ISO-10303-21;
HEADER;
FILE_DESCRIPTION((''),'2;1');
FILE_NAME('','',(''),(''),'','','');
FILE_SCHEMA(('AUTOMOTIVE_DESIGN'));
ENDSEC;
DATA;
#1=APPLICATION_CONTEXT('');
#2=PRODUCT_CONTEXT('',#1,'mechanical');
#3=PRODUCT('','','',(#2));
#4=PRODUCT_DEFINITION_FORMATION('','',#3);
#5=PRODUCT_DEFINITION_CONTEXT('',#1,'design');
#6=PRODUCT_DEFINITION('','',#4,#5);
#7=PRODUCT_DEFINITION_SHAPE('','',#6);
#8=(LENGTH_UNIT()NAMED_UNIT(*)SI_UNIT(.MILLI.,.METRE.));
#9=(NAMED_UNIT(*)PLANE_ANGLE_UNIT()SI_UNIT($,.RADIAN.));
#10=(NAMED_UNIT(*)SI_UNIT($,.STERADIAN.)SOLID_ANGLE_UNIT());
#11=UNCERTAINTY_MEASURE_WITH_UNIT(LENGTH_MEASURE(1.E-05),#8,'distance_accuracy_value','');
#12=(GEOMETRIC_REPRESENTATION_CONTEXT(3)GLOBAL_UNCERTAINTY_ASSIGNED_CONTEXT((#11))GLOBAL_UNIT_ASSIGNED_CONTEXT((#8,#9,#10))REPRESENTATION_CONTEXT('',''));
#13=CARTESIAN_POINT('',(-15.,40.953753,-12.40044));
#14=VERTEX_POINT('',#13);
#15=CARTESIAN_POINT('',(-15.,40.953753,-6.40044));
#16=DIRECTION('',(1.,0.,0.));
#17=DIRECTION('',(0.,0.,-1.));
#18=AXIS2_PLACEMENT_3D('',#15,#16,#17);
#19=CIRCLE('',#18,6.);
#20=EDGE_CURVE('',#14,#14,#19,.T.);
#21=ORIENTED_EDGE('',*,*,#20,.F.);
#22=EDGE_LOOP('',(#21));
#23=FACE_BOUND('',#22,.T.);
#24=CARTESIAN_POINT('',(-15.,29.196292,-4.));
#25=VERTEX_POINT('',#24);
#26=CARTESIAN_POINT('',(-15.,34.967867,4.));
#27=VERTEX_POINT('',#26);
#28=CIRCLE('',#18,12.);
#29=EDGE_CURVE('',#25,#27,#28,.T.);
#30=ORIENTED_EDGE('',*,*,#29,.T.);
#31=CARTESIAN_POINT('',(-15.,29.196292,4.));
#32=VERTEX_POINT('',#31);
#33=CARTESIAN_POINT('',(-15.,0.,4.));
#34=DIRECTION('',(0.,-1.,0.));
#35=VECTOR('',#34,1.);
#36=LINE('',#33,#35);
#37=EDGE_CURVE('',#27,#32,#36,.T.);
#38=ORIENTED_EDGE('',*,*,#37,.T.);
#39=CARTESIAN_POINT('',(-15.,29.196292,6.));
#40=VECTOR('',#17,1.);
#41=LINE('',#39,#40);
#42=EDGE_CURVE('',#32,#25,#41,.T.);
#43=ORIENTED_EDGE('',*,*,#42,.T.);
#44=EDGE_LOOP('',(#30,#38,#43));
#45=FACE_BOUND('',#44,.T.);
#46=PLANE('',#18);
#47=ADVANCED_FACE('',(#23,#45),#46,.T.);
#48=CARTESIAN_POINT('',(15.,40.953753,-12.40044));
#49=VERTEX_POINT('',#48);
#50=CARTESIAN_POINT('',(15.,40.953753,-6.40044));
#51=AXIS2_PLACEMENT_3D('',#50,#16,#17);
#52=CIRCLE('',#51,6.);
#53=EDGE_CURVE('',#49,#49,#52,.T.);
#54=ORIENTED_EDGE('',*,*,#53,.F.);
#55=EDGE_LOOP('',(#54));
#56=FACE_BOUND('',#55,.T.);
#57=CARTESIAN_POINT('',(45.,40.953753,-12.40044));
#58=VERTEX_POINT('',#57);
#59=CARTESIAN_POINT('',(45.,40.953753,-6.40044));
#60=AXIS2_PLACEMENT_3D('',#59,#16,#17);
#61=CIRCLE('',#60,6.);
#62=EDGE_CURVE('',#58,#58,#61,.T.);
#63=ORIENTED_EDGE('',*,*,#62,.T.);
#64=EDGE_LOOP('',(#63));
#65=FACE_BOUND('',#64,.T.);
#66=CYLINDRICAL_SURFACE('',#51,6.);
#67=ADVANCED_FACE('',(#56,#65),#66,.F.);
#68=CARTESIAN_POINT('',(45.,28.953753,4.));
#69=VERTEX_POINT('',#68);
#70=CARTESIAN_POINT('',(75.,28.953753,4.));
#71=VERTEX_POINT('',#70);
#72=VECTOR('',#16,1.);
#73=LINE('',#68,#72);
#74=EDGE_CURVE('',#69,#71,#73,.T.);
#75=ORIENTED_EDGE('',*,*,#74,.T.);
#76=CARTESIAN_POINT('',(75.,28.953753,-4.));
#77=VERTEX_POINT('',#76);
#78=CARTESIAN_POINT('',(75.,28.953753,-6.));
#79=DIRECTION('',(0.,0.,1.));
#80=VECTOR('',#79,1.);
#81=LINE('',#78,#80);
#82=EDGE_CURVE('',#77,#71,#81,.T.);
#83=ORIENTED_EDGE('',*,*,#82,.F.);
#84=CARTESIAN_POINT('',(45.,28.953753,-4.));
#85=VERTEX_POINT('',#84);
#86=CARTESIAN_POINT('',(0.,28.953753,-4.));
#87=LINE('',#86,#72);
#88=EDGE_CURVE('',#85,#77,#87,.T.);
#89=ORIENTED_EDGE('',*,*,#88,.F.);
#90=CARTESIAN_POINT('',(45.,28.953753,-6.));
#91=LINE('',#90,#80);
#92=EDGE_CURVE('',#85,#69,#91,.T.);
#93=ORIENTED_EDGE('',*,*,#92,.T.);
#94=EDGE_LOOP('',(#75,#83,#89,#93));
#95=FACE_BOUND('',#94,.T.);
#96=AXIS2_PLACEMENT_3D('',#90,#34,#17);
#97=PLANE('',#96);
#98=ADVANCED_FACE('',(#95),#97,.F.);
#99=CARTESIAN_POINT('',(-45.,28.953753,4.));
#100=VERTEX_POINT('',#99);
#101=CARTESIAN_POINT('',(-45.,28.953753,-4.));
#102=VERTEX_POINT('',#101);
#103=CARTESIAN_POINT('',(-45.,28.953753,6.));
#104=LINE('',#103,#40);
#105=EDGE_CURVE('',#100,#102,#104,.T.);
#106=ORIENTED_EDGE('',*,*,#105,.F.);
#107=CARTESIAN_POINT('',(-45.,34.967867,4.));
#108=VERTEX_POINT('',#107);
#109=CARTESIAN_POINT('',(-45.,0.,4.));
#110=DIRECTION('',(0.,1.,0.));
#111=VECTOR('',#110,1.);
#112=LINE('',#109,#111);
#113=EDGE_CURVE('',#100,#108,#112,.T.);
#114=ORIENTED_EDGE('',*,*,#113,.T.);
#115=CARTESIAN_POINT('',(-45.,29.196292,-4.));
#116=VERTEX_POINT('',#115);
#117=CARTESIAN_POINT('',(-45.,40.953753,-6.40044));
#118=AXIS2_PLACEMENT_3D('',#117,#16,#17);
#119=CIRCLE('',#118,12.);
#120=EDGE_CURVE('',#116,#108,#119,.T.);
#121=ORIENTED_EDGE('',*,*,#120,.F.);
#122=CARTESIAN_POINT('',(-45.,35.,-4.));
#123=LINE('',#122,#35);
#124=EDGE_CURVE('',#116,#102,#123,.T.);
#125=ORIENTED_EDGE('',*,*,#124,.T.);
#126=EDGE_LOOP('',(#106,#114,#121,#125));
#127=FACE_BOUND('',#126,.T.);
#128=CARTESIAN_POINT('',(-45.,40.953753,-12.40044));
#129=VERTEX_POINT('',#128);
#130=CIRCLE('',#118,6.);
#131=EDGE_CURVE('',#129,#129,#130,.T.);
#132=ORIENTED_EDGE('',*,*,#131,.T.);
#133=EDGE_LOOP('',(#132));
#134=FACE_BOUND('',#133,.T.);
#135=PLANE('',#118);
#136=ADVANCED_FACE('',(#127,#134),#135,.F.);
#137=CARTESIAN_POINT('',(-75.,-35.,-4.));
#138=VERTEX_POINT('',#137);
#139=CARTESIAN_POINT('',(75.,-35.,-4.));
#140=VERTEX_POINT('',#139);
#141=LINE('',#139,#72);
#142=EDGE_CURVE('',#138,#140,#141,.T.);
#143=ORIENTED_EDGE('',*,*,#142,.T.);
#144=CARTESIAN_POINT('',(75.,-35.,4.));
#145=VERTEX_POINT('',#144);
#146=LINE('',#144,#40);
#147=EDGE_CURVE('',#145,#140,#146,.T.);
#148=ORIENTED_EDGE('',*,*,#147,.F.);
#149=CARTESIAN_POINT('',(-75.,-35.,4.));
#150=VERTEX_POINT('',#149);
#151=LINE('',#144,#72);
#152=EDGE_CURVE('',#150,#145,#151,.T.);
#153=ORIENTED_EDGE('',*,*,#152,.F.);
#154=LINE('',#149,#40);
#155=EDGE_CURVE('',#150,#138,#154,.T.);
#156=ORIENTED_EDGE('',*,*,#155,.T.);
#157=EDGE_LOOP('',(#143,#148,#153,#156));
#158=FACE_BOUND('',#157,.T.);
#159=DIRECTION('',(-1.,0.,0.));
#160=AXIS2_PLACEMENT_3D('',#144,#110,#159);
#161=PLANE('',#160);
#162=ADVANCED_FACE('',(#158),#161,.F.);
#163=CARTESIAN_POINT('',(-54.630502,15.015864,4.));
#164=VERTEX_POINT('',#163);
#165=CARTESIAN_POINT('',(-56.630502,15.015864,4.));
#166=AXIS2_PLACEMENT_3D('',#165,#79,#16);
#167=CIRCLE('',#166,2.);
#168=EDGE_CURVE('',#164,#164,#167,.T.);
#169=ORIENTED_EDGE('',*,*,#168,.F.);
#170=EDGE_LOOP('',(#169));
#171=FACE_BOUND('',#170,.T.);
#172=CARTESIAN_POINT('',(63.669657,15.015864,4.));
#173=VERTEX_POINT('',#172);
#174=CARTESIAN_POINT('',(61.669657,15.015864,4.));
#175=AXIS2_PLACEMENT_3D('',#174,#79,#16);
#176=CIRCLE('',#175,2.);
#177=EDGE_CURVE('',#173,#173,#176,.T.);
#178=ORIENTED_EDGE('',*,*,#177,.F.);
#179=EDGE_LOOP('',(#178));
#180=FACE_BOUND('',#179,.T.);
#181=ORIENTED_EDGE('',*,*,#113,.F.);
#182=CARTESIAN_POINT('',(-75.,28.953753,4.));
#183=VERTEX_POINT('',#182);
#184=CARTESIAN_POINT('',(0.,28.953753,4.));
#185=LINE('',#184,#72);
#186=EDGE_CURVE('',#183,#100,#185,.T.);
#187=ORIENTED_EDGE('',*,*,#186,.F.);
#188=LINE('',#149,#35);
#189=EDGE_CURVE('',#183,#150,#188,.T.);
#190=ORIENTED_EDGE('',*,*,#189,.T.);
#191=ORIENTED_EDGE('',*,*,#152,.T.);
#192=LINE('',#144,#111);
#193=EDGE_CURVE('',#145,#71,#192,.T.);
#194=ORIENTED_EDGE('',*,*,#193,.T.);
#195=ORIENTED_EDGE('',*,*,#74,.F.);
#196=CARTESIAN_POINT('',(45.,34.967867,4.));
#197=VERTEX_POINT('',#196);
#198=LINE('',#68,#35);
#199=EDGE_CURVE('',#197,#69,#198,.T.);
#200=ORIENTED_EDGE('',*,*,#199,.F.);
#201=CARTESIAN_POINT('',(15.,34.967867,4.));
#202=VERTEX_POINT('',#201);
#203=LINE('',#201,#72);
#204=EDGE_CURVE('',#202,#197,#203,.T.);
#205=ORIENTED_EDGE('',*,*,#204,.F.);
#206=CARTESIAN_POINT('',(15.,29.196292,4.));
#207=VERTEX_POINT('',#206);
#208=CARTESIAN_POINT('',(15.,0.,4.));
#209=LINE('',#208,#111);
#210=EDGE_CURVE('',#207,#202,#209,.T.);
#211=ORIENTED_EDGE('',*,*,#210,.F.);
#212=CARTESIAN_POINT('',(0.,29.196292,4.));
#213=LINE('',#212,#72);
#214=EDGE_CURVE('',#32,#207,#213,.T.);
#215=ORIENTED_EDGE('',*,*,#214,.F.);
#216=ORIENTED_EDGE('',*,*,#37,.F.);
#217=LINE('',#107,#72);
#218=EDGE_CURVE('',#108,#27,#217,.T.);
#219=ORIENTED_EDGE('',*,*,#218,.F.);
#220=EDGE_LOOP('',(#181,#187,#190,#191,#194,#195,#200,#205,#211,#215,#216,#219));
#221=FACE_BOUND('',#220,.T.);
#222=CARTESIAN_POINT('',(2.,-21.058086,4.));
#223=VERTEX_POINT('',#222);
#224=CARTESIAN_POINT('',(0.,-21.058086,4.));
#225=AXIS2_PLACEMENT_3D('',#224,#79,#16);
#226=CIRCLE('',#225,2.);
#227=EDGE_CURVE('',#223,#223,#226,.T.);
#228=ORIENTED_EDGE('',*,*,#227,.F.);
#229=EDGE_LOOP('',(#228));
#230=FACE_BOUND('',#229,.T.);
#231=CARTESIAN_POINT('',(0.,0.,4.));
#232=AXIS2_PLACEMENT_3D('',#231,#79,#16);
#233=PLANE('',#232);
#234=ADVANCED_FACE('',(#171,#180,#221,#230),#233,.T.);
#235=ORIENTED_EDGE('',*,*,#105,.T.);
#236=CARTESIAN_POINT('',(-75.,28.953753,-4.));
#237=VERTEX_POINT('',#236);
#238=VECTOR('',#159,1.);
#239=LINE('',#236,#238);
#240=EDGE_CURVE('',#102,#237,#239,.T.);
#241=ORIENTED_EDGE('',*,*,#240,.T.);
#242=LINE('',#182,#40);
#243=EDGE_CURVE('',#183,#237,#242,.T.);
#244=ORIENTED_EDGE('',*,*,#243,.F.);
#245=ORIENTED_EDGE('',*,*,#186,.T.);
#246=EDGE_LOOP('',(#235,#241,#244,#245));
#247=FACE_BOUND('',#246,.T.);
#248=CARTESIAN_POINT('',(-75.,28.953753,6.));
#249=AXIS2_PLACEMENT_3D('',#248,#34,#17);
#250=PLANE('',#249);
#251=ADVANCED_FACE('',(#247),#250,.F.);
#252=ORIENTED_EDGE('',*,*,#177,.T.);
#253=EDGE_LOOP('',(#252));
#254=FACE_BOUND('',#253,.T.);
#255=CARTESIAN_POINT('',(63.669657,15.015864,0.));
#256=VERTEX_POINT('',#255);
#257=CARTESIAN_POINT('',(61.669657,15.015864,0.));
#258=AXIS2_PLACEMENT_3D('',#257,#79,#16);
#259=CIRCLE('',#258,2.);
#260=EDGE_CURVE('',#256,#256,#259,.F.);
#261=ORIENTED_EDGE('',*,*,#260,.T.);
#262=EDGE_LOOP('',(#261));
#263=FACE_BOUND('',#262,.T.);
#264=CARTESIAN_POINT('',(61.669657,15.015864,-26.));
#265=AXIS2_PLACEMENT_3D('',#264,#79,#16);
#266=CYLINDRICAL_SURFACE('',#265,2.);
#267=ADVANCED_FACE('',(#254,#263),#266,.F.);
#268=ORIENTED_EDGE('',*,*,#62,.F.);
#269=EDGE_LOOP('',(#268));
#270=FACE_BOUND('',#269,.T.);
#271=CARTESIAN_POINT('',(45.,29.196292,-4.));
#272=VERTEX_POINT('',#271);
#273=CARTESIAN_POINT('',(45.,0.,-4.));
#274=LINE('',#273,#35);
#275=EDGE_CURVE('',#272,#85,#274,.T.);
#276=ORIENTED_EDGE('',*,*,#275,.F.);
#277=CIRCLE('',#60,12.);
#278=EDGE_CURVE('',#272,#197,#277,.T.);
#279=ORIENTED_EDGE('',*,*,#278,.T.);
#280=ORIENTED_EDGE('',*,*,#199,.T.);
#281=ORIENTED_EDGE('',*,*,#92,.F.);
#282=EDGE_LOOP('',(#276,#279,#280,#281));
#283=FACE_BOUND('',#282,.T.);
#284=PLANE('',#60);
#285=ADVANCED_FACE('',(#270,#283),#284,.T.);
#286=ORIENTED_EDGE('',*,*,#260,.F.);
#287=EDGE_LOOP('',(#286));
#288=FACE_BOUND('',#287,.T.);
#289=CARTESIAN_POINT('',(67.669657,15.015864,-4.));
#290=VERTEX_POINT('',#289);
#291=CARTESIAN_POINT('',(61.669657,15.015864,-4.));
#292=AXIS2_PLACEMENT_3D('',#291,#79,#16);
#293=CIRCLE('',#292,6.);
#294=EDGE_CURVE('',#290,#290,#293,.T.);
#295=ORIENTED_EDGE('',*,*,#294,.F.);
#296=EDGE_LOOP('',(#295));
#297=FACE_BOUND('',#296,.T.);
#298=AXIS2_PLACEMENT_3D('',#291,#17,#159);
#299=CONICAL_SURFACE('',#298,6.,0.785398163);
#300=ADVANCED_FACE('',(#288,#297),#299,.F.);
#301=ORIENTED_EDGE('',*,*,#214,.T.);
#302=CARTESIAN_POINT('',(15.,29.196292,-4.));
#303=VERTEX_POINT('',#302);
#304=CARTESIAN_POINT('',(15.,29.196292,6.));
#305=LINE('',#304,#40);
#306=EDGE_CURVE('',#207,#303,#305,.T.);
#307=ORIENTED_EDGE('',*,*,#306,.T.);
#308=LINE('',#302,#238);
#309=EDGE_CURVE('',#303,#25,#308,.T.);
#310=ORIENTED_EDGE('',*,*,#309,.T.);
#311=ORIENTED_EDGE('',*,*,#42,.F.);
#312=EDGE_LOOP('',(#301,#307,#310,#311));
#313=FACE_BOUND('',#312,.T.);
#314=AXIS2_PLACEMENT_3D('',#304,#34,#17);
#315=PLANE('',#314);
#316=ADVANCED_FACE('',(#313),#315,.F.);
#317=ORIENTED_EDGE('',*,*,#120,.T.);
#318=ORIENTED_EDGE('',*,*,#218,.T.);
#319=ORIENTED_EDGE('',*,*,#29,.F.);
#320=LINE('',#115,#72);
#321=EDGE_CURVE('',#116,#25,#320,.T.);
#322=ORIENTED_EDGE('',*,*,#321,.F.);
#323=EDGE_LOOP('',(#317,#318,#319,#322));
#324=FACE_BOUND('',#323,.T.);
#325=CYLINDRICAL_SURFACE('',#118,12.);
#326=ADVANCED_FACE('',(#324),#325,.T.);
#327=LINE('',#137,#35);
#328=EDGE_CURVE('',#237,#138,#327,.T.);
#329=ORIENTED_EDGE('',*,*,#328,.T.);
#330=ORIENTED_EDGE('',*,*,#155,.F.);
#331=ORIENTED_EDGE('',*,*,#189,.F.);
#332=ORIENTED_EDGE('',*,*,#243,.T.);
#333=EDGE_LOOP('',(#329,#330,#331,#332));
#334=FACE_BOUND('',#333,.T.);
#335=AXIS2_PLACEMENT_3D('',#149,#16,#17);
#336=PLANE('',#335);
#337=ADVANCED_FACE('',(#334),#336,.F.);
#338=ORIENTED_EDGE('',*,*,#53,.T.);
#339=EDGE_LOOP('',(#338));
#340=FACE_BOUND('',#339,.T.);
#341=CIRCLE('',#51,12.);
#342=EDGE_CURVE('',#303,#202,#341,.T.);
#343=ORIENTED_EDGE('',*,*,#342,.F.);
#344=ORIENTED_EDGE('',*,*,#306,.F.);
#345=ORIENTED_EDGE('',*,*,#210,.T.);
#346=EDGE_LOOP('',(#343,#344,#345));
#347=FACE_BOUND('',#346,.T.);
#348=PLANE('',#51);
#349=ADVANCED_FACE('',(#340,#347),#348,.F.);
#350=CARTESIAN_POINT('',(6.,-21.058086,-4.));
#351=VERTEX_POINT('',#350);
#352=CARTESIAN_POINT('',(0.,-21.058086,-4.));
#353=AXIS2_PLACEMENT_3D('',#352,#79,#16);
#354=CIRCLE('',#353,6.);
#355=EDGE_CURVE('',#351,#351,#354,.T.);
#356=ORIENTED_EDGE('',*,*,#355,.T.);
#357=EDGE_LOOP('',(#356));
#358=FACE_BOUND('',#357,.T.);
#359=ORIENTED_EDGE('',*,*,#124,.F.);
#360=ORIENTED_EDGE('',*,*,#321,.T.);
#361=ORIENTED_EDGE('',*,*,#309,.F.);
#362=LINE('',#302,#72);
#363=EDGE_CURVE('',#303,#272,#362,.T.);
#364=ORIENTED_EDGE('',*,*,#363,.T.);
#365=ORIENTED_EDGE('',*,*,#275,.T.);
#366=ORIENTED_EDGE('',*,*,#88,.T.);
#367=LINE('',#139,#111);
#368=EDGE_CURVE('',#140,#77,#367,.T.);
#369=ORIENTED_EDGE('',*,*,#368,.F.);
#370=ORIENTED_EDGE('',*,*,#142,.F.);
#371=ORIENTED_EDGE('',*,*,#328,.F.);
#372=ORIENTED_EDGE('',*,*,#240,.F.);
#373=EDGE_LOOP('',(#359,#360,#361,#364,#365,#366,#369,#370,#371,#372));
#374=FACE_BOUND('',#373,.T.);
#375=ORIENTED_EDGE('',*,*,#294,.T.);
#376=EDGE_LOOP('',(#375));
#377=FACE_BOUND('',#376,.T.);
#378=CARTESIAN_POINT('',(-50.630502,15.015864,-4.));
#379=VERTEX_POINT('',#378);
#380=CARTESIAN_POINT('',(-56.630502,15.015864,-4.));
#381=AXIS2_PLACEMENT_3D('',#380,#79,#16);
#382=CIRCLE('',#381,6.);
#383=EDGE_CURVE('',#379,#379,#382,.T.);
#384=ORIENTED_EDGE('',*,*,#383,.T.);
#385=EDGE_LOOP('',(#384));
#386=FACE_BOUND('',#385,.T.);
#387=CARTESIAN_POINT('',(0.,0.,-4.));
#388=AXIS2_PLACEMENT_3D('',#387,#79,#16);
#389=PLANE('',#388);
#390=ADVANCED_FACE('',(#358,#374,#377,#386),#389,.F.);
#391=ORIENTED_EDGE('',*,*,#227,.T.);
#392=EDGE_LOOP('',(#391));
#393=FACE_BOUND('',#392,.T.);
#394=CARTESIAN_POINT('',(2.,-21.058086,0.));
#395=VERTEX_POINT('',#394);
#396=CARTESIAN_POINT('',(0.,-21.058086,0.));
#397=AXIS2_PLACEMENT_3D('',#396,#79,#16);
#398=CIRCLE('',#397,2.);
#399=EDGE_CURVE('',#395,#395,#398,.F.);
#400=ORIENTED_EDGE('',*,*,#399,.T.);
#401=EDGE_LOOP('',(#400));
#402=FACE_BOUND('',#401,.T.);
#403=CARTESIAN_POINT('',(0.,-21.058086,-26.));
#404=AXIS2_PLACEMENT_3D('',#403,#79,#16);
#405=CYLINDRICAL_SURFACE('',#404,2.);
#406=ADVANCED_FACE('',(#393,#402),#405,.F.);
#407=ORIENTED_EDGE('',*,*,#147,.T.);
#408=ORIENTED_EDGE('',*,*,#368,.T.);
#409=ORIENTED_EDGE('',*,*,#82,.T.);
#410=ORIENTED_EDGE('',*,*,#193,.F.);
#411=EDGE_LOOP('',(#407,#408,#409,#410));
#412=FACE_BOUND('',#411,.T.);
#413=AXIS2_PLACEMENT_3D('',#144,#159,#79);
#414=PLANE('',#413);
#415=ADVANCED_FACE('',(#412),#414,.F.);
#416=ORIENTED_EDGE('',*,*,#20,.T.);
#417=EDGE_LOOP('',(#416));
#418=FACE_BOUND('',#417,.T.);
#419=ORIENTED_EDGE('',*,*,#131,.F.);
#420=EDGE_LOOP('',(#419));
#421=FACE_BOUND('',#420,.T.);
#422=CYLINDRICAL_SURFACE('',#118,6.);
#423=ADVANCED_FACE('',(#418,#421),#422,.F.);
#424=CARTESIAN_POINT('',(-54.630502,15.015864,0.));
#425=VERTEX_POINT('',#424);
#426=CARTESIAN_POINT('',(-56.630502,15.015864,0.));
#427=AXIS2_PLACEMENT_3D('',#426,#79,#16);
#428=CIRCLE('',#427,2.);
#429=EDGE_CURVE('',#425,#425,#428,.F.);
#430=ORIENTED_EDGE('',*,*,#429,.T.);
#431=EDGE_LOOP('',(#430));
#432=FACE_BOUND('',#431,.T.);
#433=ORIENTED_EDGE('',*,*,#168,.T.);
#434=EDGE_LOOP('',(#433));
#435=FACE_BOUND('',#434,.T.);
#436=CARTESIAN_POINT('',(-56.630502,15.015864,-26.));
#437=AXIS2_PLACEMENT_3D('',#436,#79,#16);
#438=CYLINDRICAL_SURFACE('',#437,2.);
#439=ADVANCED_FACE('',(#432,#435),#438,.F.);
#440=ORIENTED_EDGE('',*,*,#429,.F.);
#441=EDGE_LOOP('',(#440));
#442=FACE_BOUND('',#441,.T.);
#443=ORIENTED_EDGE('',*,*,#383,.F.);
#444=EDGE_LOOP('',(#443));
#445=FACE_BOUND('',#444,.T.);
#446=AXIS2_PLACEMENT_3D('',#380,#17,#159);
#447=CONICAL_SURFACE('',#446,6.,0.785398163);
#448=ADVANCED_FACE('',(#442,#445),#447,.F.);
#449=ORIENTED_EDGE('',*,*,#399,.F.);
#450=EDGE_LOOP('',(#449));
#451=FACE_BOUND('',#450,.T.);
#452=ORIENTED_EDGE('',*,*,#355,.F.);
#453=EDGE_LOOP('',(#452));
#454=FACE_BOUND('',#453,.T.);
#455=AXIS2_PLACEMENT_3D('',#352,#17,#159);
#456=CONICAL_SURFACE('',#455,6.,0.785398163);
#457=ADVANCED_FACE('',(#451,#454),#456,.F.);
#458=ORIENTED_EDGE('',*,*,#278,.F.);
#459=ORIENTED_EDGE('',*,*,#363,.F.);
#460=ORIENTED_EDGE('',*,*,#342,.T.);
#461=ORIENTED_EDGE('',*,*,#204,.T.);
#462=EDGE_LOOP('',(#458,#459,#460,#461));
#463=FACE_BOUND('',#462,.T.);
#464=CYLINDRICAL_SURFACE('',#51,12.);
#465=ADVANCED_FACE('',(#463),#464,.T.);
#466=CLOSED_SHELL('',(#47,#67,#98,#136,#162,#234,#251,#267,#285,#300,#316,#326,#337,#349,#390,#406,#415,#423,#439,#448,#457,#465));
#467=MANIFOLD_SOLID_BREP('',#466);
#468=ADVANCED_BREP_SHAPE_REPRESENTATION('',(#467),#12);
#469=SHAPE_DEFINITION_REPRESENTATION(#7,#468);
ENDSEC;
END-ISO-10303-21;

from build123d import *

# Parameters (mm, degrees)
SKETCH1_W           = 150
SKETCH1_H           = 70
BOSS_EXTRUDE1_DEPTH = 4
SKETCH7_R           = 2
CUT_EXTRUDE2_DEPTH  = 30
BOSS_EXTRUDE7_START = -30
SKETCH4_R           = 12
SKETCH4_R_2         = 6
BOSS_EXTRUDE7_DEPTH = 30
LPATTERN2_COUNT     = 2
LPATTERN2_PITCH     = 60
CHAMFER3_SIZE       = 4
SKETCH8_W           = 30
SKETCH8_H           = 6.046246811
CUT_EXTRUDE3_DEPTH  = 10
SKETCH9_W           = 30
SKETCH9_H           = 6.046246811
CUT_EXTRUDE4_DEPTH  = 10
SKETCH10_W          = 30
SKETCH10_H          = 5.803707669
CUT_EXTRUDE5_DEPTH  = 10


with BuildPart() as part:
    # Sketch1 → Boss-Extrude1 (new body, symmetric)
    with BuildSketch(Plane.XY):
        Rectangle(SKETCH1_W, SKETCH1_H)
    extrude(amount=BOSS_EXTRUDE1_DEPTH, both=True)

    # Sketch7 → Cut-Extrude2 (cut)
    with BuildSketch(Plane.XY.offset(4)):
        with Locations((-56.630501899, 15.015863732)):
            Circle(SKETCH7_R)
        with Locations((0, -21.058085924)):
            Circle(SKETCH7_R)
        with Locations((61.669656729, 15.015863732)):
            Circle(SKETCH7_R)
    extrude(amount=-CUT_EXTRUDE2_DEPTH, mode=Mode.SUBTRACT)

    # Sketch4 → Boss-Extrude7 (add)
    with BuildSketch(Plane(origin=(75, 0, 0), x_dir=(0, 0, -1), z_dir=(1, 0, 0)).offset(BOSS_EXTRUDE7_START)):
        with Locations((6.400440408, 40.953753189)):
            Circle(SKETCH4_R)
        with Locations((6.400440408, 40.953753189)):
            Circle(SKETCH4_R_2, mode=Mode.SUBTRACT)
    boss_extrude7 = extrude(amount=-BOSS_EXTRUDE7_DEPTH)

    # LPattern2: Boss-Extrude7 ×2
    with Locations(*[(-i * LPATTERN2_PITCH, 0, 0) for i in range(1, LPATTERN2_COUNT)]):
        add(boss_extrude7)

    # Chamfer3
    chamfer3_edges = [part.edges().sort_by_distance(p)[0] for p in [
        (-58.630501899, 15.015863732, -4),
        (-2, -21.058085924, -4),
        (59.669656729, 15.015863732, -4),
    ]]
    chamfer(chamfer3_edges, length=CHAMFER3_SIZE)

    # Sketch8 → Cut-Extrude3 (cut)
    with BuildSketch(Plane.XY.offset(4)):
        with Locations((60, 31.976876594)):
            Rectangle(SKETCH8_W, SKETCH8_H)
    extrude(amount=-CUT_EXTRUDE3_DEPTH, mode=Mode.SUBTRACT)

    # Sketch9 → Cut-Extrude4 (cut)
    with BuildSketch(Plane(origin=(0, 0, -4), x_dir=(-1, 0, 0), z_dir=(0, 0, -1))):
        with Locations((60, 31.976876594)):
            Rectangle(SKETCH9_W, SKETCH9_H)
    extrude(amount=-CUT_EXTRUDE4_DEPTH, mode=Mode.SUBTRACT)

    # Sketch10 → Cut-Extrude5 (cut)
    with BuildSketch(Plane(origin=(0, 0, -4), x_dir=(-1, 0, 0), z_dir=(0, 0, -1))):
        with Locations((0, 32.098146165)):
            Rectangle(SKETCH10_W, SKETCH10_H)
    extrude(amount=-CUT_EXTRUDE5_DEPTH, mode=Mode.SUBTRACT)


solid = part.part
